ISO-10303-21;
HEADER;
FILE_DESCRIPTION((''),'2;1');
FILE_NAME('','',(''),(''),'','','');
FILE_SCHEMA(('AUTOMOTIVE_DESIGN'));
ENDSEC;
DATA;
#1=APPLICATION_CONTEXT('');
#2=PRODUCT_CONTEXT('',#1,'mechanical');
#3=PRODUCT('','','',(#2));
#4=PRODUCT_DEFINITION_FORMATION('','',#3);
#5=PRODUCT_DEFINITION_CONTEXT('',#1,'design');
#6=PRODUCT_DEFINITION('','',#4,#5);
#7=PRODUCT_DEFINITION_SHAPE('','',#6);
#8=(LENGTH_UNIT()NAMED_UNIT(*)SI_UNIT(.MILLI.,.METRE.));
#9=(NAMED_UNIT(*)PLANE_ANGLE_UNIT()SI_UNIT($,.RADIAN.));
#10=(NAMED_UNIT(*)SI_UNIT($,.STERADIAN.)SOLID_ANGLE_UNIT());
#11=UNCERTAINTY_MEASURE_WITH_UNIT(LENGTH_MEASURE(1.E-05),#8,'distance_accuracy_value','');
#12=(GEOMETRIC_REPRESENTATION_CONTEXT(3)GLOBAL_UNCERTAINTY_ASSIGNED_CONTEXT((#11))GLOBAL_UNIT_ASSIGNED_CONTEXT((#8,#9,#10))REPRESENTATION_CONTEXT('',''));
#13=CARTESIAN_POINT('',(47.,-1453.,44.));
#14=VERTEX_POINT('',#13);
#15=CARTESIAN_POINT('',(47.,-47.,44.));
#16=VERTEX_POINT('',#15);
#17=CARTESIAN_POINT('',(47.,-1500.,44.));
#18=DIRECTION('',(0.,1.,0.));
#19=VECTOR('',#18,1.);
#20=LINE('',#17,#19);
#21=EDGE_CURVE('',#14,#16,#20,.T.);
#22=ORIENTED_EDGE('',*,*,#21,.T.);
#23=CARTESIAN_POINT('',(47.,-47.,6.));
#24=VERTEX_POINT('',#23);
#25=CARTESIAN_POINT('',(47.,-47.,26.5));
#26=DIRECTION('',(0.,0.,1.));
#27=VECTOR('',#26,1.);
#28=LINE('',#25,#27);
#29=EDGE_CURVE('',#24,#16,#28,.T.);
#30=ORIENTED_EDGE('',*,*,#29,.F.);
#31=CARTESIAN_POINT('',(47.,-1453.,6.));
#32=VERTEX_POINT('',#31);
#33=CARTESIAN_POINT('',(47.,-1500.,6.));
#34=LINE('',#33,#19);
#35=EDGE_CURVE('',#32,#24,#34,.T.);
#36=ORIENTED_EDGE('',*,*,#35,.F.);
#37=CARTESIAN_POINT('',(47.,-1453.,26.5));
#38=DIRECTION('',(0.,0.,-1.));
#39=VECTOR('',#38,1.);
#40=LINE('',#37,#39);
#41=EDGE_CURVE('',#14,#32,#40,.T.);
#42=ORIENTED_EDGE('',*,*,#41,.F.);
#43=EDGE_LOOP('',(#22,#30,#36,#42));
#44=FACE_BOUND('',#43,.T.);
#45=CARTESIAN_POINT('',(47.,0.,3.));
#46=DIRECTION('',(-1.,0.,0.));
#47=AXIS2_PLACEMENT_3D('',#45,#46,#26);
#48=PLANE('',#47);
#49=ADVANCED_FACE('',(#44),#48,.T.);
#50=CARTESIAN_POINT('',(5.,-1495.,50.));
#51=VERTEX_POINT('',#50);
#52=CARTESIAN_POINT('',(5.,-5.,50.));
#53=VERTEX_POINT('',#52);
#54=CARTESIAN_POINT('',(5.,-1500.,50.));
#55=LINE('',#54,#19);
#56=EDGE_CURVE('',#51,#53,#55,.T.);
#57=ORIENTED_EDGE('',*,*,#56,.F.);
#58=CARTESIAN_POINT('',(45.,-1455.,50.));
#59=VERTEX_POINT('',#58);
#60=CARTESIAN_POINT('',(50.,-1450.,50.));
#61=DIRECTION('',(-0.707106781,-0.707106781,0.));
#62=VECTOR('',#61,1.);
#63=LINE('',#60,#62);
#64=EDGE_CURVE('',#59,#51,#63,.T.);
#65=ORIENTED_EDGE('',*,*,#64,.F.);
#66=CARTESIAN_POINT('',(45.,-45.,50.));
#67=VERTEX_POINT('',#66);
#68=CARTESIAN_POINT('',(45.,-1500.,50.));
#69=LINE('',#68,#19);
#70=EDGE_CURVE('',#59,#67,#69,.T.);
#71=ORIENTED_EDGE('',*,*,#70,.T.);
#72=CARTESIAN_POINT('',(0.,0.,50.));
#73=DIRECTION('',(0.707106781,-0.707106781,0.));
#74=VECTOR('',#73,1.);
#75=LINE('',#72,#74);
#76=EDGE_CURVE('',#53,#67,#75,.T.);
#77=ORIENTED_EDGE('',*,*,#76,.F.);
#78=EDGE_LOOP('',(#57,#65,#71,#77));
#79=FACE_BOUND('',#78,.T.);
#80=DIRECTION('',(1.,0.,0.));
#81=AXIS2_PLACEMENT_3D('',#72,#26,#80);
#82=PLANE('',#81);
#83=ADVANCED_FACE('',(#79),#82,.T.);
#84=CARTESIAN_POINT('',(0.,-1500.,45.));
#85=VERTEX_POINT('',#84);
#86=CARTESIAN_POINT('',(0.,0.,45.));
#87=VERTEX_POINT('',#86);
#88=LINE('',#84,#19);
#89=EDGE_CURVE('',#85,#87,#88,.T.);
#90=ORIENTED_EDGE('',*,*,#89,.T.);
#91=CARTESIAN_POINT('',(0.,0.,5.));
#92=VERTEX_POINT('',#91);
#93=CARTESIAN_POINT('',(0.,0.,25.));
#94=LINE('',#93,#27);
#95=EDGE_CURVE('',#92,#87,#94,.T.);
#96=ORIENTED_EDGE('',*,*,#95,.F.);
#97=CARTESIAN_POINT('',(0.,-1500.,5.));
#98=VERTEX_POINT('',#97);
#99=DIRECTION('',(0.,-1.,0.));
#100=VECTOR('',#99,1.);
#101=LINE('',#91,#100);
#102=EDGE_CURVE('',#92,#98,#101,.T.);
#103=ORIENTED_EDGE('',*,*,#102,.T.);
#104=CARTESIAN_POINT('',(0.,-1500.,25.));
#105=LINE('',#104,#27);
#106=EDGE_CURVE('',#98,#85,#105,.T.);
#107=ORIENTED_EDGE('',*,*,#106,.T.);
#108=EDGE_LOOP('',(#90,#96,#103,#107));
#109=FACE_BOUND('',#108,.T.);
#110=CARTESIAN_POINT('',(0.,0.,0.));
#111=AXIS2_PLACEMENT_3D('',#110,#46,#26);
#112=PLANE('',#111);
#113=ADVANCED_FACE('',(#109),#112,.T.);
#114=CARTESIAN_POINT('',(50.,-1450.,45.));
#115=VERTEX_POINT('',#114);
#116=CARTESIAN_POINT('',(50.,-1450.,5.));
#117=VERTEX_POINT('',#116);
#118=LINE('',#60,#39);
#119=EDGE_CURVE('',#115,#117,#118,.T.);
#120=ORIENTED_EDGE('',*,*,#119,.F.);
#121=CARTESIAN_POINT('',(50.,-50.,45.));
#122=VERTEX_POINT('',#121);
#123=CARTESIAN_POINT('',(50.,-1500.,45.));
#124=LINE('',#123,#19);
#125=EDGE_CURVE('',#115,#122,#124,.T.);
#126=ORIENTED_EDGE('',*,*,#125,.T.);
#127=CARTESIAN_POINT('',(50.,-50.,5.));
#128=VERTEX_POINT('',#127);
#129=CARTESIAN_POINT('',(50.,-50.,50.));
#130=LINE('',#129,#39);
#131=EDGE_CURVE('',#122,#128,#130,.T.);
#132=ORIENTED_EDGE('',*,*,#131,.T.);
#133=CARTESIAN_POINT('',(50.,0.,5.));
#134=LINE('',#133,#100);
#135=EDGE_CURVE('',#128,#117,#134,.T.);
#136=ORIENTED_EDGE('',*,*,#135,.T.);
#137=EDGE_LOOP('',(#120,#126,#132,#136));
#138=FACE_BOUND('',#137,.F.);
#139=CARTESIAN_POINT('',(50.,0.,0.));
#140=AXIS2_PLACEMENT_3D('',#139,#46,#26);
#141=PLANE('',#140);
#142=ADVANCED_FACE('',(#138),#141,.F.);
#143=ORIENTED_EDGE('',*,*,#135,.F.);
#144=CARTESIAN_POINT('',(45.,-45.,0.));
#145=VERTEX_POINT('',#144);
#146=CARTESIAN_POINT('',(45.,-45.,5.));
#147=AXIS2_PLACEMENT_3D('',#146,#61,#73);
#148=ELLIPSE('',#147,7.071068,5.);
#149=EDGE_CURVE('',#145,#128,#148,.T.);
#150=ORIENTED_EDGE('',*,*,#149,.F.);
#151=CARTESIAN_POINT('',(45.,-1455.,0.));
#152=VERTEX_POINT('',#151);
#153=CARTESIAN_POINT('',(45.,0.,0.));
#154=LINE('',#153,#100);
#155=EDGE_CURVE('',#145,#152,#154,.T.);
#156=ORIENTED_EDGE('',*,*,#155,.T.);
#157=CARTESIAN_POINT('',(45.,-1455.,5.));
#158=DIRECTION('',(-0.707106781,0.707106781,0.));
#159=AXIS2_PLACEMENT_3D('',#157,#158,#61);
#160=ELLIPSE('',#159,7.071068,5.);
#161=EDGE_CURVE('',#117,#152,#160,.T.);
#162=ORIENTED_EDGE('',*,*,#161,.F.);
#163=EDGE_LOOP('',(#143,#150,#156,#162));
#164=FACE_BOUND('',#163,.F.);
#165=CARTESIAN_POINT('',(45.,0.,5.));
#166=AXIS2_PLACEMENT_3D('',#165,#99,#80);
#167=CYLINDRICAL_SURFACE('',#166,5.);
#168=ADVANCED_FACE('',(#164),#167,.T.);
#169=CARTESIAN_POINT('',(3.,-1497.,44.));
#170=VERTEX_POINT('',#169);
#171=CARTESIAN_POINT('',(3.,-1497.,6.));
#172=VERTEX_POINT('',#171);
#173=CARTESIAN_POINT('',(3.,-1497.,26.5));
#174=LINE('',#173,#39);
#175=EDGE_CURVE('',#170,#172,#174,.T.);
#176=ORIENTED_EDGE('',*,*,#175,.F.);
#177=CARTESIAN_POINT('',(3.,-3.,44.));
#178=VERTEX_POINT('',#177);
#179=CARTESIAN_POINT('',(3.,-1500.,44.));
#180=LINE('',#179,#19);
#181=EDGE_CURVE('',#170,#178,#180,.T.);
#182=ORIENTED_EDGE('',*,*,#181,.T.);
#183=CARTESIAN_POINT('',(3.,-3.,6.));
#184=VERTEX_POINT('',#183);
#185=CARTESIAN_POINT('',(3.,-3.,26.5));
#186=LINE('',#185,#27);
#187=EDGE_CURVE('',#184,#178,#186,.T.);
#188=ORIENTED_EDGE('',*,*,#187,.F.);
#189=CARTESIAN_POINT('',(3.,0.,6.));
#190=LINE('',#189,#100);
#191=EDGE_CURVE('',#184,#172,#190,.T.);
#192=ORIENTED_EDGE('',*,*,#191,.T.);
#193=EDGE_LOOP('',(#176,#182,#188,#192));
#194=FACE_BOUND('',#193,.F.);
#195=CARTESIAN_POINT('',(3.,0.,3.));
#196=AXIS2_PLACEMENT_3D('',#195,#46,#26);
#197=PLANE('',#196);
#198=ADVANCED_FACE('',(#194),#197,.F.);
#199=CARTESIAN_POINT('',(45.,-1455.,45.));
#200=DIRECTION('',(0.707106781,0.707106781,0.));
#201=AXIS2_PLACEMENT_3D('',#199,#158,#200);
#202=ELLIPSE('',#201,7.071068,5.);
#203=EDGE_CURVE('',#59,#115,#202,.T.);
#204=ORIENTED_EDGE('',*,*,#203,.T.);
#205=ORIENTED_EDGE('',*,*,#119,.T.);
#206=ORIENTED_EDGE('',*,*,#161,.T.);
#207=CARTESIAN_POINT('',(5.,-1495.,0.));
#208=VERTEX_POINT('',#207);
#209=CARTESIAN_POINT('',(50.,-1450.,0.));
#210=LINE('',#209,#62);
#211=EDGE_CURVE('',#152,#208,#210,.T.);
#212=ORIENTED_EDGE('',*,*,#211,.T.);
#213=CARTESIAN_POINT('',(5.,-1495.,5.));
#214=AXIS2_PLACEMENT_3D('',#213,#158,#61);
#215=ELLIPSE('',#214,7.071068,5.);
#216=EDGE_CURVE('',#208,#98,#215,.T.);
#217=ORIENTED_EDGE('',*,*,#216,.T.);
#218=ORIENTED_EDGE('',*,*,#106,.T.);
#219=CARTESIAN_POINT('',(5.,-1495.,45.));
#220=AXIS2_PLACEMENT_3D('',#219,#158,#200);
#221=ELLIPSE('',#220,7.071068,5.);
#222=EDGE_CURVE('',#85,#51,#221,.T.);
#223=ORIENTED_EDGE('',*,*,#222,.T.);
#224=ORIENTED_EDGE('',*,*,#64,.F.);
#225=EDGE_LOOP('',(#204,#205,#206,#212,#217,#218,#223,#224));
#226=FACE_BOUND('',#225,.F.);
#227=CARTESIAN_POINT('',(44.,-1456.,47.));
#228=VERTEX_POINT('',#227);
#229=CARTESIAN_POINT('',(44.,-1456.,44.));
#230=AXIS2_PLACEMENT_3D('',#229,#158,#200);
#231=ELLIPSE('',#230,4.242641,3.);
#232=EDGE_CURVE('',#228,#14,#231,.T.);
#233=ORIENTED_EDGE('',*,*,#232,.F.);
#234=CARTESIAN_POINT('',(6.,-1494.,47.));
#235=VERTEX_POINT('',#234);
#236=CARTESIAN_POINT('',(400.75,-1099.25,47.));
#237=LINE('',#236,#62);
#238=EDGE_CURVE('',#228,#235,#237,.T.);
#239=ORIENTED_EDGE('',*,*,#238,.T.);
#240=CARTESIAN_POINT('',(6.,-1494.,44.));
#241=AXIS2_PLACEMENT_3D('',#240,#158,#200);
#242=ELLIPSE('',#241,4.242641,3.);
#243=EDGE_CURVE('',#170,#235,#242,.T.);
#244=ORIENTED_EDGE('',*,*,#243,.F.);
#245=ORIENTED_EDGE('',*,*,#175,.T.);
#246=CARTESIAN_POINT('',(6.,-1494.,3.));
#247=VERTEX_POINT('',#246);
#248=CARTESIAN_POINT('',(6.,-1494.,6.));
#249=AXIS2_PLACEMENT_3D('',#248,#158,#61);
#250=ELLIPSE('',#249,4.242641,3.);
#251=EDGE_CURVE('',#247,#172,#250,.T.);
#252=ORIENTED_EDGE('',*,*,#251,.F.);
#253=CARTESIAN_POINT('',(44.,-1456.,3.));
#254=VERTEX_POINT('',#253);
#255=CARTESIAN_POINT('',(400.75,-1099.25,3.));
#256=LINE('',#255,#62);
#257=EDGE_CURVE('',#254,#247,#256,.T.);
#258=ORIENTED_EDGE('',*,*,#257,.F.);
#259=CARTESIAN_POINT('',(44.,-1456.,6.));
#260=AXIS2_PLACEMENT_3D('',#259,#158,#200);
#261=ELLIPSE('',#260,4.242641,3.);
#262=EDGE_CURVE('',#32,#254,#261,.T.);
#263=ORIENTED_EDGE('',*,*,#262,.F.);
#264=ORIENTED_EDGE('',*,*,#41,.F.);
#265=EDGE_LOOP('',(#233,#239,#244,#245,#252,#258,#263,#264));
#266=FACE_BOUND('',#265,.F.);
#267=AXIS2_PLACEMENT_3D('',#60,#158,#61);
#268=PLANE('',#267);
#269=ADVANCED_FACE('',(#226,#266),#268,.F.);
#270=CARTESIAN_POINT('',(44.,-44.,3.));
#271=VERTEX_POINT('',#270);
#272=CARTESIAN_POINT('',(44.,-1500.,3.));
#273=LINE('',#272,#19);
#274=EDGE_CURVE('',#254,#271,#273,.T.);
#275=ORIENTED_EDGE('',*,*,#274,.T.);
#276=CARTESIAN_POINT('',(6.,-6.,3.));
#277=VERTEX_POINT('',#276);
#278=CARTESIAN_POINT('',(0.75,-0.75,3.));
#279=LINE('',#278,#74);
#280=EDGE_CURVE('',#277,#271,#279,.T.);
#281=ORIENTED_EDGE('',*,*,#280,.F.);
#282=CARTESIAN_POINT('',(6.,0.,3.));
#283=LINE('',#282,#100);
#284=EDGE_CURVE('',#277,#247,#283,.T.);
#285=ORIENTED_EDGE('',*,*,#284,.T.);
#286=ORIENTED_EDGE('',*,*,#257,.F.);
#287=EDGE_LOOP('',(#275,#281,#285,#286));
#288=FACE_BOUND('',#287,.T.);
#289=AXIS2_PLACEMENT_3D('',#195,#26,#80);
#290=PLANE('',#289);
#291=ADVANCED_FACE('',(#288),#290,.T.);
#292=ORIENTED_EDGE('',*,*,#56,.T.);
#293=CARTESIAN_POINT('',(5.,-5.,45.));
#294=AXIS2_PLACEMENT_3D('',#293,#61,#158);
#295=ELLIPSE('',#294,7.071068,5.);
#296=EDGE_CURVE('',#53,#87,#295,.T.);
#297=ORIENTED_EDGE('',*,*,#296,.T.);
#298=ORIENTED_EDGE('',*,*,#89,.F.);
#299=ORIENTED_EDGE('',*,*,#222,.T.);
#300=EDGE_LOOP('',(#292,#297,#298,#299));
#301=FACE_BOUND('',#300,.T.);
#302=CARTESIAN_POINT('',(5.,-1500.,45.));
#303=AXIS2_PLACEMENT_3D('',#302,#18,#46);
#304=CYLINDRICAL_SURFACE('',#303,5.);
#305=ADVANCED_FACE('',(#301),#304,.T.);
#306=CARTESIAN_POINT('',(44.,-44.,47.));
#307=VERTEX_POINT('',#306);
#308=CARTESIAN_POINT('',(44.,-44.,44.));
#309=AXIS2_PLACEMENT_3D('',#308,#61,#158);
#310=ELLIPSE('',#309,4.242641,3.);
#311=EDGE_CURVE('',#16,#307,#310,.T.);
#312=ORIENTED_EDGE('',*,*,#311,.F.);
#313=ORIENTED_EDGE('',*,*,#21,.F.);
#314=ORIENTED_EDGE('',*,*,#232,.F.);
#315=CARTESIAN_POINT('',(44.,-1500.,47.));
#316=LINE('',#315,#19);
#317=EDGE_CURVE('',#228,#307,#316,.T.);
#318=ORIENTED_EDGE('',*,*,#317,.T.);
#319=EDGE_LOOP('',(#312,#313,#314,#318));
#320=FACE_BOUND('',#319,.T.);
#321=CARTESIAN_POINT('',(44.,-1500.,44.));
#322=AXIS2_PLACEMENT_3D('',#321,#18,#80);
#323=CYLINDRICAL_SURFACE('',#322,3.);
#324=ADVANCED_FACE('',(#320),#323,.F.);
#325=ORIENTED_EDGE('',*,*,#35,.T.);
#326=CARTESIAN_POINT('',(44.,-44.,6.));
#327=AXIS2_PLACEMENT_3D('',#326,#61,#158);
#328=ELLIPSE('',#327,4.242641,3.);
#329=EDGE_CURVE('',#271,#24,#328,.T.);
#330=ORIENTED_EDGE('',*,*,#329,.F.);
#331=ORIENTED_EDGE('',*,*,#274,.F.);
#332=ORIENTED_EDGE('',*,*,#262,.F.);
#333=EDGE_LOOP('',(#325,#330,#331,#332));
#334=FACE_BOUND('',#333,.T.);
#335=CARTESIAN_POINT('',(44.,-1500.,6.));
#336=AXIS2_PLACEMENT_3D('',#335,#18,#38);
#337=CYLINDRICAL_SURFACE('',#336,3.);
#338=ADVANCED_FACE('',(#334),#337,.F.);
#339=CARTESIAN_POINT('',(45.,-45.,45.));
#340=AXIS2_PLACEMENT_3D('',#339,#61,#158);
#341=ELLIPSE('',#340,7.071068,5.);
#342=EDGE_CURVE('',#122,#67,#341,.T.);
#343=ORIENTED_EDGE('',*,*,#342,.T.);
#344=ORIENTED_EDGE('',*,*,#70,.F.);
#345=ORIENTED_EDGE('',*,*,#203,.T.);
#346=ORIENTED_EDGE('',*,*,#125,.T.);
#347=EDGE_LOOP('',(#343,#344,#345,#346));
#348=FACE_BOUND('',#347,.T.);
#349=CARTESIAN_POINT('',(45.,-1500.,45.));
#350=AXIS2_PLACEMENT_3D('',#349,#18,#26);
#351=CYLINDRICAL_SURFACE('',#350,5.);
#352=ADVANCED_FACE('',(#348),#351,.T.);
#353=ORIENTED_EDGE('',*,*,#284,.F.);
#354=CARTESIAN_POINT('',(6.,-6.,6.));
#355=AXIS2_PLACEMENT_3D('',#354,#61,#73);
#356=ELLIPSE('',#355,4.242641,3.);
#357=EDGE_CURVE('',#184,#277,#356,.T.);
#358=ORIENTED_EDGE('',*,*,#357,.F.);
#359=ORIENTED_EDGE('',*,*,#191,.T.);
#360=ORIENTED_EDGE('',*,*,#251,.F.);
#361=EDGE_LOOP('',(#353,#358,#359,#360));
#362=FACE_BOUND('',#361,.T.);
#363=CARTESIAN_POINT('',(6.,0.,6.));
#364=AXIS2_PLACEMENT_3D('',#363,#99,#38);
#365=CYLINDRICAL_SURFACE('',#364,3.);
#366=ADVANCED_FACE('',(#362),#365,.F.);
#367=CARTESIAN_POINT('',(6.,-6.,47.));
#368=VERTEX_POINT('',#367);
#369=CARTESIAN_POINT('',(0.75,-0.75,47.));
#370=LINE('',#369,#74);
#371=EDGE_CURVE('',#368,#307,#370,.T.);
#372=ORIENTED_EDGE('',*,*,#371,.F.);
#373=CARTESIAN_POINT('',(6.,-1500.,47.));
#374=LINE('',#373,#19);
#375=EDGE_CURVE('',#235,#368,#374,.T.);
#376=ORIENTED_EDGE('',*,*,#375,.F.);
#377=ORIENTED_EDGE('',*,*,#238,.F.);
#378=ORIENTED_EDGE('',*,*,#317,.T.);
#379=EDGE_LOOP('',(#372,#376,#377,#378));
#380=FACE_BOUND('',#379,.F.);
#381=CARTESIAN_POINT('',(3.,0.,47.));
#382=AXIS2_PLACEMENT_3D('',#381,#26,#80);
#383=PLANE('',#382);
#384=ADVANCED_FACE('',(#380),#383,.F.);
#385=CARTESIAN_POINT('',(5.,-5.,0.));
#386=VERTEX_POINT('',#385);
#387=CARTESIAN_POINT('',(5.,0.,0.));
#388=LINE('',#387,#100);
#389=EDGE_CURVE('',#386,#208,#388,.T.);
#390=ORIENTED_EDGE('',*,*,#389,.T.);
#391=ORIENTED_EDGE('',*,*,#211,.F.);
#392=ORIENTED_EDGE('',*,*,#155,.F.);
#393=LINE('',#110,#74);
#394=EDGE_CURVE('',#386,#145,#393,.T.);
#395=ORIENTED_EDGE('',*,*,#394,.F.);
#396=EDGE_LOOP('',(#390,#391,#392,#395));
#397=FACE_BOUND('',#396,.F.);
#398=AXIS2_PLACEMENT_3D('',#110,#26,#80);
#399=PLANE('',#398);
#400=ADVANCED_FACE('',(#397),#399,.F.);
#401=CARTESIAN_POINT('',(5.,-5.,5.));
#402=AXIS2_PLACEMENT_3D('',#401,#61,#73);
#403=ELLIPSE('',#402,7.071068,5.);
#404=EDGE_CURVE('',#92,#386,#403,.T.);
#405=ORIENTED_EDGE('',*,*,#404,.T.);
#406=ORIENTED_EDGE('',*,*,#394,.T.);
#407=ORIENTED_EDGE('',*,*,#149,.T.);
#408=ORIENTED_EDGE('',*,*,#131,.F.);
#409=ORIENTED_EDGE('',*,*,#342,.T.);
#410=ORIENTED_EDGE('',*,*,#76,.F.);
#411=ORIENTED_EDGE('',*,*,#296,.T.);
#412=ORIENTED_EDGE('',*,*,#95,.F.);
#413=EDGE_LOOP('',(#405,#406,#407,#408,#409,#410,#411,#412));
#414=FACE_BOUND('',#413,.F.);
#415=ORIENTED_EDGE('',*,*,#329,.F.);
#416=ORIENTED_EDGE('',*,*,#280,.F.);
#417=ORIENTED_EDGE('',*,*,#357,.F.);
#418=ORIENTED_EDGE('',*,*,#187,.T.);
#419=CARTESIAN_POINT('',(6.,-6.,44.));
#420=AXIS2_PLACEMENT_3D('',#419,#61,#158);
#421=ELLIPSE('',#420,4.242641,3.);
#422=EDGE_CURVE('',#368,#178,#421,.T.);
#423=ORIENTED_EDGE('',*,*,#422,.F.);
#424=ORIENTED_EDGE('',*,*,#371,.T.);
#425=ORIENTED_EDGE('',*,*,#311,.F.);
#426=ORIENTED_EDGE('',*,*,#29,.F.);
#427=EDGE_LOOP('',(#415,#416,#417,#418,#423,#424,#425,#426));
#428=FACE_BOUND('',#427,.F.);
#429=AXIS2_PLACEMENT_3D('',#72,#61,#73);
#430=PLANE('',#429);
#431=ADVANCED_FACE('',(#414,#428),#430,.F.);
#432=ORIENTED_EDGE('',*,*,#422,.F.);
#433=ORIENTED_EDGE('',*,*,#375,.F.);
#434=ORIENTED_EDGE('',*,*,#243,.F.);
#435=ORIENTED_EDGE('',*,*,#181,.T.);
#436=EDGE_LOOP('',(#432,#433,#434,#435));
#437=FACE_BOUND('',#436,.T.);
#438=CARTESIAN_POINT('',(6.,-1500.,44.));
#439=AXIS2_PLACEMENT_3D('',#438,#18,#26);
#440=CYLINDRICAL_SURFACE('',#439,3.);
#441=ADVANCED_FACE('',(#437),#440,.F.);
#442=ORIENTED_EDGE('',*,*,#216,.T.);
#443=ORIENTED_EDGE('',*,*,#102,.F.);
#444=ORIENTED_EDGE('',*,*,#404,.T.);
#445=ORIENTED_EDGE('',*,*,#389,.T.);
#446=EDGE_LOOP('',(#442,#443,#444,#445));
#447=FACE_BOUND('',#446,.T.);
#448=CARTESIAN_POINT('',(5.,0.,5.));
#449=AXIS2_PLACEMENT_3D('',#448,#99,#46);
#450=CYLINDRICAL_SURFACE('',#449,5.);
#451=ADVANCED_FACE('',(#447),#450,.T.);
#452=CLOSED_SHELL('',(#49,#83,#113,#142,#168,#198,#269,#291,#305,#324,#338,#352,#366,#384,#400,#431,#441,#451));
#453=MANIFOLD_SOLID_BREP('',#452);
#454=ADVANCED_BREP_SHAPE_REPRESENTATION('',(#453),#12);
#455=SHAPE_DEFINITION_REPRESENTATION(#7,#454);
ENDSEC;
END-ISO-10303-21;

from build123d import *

# Parameters (mm, degrees)
F0_W     = 50
F0_H     = 50
F0_W_2   = 44
F0_H_2   = 44
F1_DEPTH = 1500
F2_DEPTH = 100
F3_R     = 5
F4_R     = 3
F6_DEPTH = 50


with BuildPart() as f1:
    # F0 (on Front) → F1 (new body)
    with BuildSketch(Plane.XZ):
        with Locations((25, 25)):
            Rectangle(F0_W, F0_H)
        with Locations((25, 25)):
            Rectangle(F0_W_2, F0_H_2, mode=Mode.SUBTRACT)
    extrude(amount=F1_DEPTH)

    # F0 (on Front) → F2 (join)
    with BuildSketch(Plane.XZ):
        with Locations((25, 25)):
            Rectangle(F0_W, F0_H)
        with Locations((25, 25)):
            Rectangle(F0_W_2, F0_H_2, mode=Mode.SUBTRACT)
    extrude(amount=F2_DEPTH)

    # F3
    f3_edges = [f1.edges().sort_by_distance(p)[0] for p in [
        (50, -750, 50),
        (50, -750, 0),
        (0, -750, 0),
        (0, -750, 50),
    ]]
    fillet(f3_edges, radius=F3_R)

    # F4
    f4_edges = [f1.edges().sort_by_distance(p)[0] for p in [
        (47, -750, 47),
        (3, -750, 3),
        (3, -750, 47),
        (47, -750, 3),
    ]]
    fillet(f4_edges, radius=F4_R)

    # F5 (on face) → F6 (cut)
    with BuildSketch(Plane.XY.offset(50)):
        Polygon((50, 0), (0, 0), (50, -50), align=None)
        Polygon((50, -1450), (0, -1500), (50, -1500), align=None)
    extrude(amount=-F6_DEPTH, mode=Mode.SUBTRACT)


solid = f1.part
